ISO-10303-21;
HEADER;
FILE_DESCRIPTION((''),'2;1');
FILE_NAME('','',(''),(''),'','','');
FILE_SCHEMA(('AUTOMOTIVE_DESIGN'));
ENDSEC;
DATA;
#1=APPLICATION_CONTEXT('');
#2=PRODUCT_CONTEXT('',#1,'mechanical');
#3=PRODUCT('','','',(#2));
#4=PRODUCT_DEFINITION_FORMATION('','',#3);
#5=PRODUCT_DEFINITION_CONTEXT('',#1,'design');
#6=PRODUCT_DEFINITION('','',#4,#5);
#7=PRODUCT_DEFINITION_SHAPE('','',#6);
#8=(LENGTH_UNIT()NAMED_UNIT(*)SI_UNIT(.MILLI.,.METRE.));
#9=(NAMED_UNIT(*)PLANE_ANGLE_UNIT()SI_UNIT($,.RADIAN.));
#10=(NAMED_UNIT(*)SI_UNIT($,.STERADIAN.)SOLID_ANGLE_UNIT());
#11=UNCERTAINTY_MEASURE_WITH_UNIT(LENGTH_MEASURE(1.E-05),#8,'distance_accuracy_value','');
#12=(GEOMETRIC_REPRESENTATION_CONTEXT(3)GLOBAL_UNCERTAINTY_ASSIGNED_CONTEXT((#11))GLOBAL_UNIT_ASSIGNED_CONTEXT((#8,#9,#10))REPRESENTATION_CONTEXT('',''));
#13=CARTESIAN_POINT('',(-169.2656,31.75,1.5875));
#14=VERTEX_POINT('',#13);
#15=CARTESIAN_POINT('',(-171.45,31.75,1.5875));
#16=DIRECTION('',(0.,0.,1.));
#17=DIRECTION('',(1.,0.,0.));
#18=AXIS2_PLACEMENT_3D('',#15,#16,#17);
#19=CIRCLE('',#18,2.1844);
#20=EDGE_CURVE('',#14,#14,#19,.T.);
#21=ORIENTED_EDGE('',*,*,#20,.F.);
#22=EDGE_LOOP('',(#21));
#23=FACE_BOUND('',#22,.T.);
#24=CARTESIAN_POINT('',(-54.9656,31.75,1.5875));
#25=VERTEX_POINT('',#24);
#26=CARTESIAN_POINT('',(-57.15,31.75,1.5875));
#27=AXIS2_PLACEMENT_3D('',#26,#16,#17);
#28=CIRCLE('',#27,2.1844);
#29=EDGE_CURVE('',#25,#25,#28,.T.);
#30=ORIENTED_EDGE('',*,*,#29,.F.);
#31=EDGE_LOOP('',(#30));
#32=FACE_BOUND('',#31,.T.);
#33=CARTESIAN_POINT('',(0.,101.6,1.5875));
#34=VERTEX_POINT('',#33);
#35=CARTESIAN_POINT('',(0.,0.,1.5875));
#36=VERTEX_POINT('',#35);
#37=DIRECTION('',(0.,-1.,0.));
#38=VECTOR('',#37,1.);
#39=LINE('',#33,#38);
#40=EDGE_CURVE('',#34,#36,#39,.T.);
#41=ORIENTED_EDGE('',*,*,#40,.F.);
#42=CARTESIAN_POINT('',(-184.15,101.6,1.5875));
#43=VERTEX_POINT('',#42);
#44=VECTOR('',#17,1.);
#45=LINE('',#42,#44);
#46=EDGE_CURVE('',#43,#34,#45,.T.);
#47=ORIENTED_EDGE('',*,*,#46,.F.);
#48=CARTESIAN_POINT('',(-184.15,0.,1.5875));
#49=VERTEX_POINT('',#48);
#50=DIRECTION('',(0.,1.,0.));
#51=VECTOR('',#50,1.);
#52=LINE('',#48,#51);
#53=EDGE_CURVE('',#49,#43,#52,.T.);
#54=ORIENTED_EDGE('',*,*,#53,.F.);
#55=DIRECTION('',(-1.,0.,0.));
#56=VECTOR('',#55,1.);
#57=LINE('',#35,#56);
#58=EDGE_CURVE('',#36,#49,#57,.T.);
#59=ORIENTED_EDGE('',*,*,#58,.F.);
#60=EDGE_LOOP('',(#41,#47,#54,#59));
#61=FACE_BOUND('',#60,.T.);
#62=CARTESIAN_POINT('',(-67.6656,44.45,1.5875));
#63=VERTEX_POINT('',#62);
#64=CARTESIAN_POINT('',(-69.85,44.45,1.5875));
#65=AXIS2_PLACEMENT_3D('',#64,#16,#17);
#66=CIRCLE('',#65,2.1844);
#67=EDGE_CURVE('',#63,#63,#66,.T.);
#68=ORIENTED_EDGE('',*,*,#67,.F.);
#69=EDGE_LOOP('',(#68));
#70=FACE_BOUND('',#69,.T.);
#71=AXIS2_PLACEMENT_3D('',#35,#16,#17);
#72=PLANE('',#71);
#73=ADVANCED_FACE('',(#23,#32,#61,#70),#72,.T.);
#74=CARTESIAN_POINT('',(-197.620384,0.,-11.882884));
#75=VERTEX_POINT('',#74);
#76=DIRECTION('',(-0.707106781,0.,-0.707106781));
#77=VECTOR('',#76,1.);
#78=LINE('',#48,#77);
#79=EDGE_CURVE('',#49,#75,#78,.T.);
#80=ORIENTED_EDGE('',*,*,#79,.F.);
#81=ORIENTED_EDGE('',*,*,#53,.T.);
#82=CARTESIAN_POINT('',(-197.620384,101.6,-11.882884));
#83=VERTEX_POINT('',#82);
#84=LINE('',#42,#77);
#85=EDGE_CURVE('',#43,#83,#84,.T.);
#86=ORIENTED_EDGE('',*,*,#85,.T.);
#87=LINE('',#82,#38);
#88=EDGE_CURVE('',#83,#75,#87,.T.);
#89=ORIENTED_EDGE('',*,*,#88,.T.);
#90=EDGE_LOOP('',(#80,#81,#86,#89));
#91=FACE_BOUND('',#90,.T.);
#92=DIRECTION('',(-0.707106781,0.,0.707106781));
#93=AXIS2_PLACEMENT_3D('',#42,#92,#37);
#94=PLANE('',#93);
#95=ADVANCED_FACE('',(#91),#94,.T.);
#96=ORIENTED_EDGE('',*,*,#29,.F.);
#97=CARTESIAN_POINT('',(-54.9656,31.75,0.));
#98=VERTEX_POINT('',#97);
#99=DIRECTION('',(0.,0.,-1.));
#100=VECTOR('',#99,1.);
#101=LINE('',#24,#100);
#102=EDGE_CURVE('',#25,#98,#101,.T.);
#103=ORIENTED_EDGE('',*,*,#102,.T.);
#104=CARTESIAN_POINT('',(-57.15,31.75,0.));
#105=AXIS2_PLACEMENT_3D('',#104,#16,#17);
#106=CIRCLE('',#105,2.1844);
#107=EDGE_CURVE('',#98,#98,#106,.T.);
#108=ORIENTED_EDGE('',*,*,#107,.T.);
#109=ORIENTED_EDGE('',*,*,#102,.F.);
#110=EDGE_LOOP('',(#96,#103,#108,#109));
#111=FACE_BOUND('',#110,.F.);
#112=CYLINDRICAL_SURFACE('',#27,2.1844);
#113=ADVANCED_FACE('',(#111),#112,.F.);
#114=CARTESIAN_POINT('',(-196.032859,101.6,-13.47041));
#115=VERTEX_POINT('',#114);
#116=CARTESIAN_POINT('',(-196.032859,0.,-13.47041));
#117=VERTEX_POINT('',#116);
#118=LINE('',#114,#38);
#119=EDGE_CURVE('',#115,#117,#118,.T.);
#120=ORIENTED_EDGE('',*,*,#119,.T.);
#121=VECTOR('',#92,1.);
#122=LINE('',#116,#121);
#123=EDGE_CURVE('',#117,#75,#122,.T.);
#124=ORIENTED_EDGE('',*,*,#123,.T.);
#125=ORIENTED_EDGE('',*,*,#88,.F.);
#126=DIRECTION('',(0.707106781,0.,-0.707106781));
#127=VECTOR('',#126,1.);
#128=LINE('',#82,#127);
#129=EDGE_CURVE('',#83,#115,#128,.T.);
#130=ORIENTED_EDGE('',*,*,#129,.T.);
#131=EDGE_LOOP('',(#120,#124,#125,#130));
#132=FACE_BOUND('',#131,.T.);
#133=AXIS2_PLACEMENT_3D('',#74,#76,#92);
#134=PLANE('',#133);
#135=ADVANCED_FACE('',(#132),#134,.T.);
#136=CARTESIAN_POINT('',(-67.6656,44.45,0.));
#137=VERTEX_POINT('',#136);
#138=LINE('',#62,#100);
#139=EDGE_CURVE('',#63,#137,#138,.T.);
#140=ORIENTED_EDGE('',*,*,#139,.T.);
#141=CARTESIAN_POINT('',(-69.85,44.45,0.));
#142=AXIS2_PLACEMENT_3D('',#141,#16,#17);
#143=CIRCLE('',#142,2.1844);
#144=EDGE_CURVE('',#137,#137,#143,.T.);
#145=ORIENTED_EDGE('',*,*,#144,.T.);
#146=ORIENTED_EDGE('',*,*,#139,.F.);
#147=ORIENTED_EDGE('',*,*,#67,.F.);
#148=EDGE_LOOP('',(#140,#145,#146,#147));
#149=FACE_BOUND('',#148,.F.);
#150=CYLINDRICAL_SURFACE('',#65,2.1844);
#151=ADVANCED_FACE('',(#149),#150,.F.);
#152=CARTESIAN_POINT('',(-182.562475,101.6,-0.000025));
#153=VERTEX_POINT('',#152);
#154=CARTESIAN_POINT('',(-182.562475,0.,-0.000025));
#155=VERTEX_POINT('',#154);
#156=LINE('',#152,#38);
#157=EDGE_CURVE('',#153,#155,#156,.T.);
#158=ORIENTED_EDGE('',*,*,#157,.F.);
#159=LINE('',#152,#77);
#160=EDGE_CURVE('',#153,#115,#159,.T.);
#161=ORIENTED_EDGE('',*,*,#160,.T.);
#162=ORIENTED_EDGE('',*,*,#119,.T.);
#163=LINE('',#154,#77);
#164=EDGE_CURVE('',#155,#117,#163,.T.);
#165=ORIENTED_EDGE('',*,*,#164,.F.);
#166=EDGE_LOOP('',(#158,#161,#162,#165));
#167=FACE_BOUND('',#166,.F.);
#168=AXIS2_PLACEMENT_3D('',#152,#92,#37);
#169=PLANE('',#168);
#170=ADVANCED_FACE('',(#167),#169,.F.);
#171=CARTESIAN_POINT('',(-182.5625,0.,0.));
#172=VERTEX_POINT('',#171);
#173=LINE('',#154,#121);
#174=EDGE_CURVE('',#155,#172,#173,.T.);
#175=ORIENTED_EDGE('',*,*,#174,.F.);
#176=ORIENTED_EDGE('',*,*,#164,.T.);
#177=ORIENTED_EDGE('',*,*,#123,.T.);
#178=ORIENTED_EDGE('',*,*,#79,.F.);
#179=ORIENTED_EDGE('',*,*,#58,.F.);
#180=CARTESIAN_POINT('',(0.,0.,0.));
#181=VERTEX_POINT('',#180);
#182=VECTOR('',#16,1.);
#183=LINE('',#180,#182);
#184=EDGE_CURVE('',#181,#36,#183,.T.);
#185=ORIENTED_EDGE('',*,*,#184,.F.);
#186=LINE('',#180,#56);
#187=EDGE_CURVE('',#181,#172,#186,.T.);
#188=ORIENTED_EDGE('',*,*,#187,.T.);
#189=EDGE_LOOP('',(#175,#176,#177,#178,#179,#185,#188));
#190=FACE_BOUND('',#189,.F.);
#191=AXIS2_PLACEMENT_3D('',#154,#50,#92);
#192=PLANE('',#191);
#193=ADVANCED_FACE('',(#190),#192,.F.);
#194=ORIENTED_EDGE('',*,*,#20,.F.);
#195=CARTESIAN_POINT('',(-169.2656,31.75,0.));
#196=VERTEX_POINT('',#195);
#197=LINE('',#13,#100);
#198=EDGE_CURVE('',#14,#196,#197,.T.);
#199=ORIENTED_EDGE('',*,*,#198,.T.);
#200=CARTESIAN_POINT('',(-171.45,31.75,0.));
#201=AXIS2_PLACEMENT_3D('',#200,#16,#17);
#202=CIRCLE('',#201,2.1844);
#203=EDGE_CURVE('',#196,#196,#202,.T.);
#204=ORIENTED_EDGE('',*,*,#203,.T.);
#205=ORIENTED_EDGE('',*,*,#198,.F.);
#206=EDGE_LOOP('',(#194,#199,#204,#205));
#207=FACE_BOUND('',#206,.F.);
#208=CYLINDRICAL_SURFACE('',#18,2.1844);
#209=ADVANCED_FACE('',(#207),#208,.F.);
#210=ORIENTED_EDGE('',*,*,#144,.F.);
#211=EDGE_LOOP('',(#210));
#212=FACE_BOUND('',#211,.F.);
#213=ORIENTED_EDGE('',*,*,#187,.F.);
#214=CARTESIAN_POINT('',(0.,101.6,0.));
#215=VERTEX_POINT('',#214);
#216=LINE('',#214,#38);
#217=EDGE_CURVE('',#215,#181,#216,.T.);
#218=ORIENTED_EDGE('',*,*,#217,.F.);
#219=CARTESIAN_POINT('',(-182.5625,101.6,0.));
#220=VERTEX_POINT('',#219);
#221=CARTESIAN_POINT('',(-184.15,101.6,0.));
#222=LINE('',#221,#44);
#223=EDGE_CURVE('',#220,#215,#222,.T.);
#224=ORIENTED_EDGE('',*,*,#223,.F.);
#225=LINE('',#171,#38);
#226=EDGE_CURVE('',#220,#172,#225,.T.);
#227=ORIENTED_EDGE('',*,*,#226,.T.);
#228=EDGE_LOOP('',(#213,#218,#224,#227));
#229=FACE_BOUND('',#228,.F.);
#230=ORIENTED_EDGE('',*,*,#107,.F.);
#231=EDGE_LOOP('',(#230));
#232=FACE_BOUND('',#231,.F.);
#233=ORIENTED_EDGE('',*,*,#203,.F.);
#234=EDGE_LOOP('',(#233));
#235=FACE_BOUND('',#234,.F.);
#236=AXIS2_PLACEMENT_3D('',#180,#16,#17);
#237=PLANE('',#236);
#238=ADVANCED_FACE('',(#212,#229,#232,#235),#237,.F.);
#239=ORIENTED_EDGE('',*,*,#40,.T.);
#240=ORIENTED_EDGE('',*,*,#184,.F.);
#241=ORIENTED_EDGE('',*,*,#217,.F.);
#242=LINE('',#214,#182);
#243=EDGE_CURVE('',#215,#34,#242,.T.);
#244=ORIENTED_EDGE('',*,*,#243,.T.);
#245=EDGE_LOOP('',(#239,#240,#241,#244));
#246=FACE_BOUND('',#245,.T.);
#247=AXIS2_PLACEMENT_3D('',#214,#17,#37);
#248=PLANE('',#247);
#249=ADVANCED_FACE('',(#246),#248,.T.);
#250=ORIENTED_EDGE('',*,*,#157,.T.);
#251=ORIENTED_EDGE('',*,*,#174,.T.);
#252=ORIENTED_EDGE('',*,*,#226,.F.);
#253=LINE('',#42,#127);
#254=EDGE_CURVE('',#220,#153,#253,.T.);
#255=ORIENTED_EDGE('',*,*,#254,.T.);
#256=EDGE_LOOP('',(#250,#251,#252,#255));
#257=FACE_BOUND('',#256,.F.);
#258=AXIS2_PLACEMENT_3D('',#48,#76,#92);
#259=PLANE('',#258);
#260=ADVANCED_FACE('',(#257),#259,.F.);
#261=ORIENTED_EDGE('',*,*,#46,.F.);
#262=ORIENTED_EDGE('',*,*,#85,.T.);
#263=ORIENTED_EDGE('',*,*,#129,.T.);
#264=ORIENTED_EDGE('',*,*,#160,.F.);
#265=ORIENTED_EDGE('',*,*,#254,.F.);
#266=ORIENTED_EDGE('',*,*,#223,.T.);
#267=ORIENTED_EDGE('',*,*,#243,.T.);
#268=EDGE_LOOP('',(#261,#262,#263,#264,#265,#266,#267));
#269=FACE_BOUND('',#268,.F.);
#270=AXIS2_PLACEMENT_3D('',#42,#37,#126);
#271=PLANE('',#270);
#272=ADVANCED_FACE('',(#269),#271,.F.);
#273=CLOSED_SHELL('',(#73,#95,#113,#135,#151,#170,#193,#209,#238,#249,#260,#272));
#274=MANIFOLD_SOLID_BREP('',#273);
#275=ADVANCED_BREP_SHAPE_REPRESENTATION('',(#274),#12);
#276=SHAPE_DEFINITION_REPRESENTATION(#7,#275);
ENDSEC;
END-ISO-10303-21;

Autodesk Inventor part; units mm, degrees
ref_plane "YZ Plane" through (0, 0, 0) normal (1, 0, 0) x (0, 1, 0)
ref_plane "XZ Plane" through (0, 0, 0) normal (0, 1, 0) x (-1, 0, 0)
ref_plane "XY Plane" through (0, 0, 0) normal (0, 0, 1) x (1, 0, 0)
sketch "Sketch1" plane through (0, 0, 0) normal (0, 0, 1) x (1, 0, 0)
  line L0 (0, 0) -> (-184.15, 0)
  line L1 (-184.15, 0) -> (-184.15, 101.6)
  line L2 (-184.15, 101.6) -> (0, 101.6)
  line L3 (0, 101.6) -> (0, 0)
  dimension "d0" = 184.15
  dimension "d1" = 101.6
extrude "Extrusion1" add sketch "Sketch1" along normal blind 1.5875
chamfer "Chamfer1" distance 1.5875 angle 45 1 edges at (-184.15, 50.8, 0)
sketch "Sketch2" plane through (-184.15, 0, 1.5875) normal (-0.7071, 0, -0.7071) x (-0.7071, 0, 0.7071)
  line L0 (0, 101.6) -> (0, 0) projected
  line L1 (-2.2451, 101.6) -> (-2.2451, 0) projected
  line L2 (0, 101.6) -> (-2.2451, 101.6) projected
  line L3 (-2.2451, 0) -> (0, 0) projected
  point P0 (-131.3362, 0)
extrude "Extrusion2" add sketch "Sketch2" along normal blind 19.05
sketch "Sketch3" plane through (0, 0, 1.5875) normal (0, 0, 1) x (1, 0, 0)
  circle A0 centre (-57.15, 31.75) radius 2.1844
  line L0 (-184.15, 0) -> (0, 0) projected
  line L1 (-184.15, 101.6) -> (-184.15, 0) projected
  circle A1 centre (-69.85, 44.45) radius 2.1844
  circle A2 centre (-171.45, 31.75) radius 2.1844
  point P0 (-231.8428, 57.2075)
  dimension "d9" = 4.3688
  dimension "d10" = 31.75
  dimension "d11" = 127
  dimension "d12" = 4.3688
  dimension "d13" = 44.45
  dimension "d14" = 114.3
  dimension "d17" = 4.3688
  dimension "d18" = 114.3
extrude "Extrusion3" cut sketch "Sketch3" against normal blind 19.05
properties part number "frontwing"
